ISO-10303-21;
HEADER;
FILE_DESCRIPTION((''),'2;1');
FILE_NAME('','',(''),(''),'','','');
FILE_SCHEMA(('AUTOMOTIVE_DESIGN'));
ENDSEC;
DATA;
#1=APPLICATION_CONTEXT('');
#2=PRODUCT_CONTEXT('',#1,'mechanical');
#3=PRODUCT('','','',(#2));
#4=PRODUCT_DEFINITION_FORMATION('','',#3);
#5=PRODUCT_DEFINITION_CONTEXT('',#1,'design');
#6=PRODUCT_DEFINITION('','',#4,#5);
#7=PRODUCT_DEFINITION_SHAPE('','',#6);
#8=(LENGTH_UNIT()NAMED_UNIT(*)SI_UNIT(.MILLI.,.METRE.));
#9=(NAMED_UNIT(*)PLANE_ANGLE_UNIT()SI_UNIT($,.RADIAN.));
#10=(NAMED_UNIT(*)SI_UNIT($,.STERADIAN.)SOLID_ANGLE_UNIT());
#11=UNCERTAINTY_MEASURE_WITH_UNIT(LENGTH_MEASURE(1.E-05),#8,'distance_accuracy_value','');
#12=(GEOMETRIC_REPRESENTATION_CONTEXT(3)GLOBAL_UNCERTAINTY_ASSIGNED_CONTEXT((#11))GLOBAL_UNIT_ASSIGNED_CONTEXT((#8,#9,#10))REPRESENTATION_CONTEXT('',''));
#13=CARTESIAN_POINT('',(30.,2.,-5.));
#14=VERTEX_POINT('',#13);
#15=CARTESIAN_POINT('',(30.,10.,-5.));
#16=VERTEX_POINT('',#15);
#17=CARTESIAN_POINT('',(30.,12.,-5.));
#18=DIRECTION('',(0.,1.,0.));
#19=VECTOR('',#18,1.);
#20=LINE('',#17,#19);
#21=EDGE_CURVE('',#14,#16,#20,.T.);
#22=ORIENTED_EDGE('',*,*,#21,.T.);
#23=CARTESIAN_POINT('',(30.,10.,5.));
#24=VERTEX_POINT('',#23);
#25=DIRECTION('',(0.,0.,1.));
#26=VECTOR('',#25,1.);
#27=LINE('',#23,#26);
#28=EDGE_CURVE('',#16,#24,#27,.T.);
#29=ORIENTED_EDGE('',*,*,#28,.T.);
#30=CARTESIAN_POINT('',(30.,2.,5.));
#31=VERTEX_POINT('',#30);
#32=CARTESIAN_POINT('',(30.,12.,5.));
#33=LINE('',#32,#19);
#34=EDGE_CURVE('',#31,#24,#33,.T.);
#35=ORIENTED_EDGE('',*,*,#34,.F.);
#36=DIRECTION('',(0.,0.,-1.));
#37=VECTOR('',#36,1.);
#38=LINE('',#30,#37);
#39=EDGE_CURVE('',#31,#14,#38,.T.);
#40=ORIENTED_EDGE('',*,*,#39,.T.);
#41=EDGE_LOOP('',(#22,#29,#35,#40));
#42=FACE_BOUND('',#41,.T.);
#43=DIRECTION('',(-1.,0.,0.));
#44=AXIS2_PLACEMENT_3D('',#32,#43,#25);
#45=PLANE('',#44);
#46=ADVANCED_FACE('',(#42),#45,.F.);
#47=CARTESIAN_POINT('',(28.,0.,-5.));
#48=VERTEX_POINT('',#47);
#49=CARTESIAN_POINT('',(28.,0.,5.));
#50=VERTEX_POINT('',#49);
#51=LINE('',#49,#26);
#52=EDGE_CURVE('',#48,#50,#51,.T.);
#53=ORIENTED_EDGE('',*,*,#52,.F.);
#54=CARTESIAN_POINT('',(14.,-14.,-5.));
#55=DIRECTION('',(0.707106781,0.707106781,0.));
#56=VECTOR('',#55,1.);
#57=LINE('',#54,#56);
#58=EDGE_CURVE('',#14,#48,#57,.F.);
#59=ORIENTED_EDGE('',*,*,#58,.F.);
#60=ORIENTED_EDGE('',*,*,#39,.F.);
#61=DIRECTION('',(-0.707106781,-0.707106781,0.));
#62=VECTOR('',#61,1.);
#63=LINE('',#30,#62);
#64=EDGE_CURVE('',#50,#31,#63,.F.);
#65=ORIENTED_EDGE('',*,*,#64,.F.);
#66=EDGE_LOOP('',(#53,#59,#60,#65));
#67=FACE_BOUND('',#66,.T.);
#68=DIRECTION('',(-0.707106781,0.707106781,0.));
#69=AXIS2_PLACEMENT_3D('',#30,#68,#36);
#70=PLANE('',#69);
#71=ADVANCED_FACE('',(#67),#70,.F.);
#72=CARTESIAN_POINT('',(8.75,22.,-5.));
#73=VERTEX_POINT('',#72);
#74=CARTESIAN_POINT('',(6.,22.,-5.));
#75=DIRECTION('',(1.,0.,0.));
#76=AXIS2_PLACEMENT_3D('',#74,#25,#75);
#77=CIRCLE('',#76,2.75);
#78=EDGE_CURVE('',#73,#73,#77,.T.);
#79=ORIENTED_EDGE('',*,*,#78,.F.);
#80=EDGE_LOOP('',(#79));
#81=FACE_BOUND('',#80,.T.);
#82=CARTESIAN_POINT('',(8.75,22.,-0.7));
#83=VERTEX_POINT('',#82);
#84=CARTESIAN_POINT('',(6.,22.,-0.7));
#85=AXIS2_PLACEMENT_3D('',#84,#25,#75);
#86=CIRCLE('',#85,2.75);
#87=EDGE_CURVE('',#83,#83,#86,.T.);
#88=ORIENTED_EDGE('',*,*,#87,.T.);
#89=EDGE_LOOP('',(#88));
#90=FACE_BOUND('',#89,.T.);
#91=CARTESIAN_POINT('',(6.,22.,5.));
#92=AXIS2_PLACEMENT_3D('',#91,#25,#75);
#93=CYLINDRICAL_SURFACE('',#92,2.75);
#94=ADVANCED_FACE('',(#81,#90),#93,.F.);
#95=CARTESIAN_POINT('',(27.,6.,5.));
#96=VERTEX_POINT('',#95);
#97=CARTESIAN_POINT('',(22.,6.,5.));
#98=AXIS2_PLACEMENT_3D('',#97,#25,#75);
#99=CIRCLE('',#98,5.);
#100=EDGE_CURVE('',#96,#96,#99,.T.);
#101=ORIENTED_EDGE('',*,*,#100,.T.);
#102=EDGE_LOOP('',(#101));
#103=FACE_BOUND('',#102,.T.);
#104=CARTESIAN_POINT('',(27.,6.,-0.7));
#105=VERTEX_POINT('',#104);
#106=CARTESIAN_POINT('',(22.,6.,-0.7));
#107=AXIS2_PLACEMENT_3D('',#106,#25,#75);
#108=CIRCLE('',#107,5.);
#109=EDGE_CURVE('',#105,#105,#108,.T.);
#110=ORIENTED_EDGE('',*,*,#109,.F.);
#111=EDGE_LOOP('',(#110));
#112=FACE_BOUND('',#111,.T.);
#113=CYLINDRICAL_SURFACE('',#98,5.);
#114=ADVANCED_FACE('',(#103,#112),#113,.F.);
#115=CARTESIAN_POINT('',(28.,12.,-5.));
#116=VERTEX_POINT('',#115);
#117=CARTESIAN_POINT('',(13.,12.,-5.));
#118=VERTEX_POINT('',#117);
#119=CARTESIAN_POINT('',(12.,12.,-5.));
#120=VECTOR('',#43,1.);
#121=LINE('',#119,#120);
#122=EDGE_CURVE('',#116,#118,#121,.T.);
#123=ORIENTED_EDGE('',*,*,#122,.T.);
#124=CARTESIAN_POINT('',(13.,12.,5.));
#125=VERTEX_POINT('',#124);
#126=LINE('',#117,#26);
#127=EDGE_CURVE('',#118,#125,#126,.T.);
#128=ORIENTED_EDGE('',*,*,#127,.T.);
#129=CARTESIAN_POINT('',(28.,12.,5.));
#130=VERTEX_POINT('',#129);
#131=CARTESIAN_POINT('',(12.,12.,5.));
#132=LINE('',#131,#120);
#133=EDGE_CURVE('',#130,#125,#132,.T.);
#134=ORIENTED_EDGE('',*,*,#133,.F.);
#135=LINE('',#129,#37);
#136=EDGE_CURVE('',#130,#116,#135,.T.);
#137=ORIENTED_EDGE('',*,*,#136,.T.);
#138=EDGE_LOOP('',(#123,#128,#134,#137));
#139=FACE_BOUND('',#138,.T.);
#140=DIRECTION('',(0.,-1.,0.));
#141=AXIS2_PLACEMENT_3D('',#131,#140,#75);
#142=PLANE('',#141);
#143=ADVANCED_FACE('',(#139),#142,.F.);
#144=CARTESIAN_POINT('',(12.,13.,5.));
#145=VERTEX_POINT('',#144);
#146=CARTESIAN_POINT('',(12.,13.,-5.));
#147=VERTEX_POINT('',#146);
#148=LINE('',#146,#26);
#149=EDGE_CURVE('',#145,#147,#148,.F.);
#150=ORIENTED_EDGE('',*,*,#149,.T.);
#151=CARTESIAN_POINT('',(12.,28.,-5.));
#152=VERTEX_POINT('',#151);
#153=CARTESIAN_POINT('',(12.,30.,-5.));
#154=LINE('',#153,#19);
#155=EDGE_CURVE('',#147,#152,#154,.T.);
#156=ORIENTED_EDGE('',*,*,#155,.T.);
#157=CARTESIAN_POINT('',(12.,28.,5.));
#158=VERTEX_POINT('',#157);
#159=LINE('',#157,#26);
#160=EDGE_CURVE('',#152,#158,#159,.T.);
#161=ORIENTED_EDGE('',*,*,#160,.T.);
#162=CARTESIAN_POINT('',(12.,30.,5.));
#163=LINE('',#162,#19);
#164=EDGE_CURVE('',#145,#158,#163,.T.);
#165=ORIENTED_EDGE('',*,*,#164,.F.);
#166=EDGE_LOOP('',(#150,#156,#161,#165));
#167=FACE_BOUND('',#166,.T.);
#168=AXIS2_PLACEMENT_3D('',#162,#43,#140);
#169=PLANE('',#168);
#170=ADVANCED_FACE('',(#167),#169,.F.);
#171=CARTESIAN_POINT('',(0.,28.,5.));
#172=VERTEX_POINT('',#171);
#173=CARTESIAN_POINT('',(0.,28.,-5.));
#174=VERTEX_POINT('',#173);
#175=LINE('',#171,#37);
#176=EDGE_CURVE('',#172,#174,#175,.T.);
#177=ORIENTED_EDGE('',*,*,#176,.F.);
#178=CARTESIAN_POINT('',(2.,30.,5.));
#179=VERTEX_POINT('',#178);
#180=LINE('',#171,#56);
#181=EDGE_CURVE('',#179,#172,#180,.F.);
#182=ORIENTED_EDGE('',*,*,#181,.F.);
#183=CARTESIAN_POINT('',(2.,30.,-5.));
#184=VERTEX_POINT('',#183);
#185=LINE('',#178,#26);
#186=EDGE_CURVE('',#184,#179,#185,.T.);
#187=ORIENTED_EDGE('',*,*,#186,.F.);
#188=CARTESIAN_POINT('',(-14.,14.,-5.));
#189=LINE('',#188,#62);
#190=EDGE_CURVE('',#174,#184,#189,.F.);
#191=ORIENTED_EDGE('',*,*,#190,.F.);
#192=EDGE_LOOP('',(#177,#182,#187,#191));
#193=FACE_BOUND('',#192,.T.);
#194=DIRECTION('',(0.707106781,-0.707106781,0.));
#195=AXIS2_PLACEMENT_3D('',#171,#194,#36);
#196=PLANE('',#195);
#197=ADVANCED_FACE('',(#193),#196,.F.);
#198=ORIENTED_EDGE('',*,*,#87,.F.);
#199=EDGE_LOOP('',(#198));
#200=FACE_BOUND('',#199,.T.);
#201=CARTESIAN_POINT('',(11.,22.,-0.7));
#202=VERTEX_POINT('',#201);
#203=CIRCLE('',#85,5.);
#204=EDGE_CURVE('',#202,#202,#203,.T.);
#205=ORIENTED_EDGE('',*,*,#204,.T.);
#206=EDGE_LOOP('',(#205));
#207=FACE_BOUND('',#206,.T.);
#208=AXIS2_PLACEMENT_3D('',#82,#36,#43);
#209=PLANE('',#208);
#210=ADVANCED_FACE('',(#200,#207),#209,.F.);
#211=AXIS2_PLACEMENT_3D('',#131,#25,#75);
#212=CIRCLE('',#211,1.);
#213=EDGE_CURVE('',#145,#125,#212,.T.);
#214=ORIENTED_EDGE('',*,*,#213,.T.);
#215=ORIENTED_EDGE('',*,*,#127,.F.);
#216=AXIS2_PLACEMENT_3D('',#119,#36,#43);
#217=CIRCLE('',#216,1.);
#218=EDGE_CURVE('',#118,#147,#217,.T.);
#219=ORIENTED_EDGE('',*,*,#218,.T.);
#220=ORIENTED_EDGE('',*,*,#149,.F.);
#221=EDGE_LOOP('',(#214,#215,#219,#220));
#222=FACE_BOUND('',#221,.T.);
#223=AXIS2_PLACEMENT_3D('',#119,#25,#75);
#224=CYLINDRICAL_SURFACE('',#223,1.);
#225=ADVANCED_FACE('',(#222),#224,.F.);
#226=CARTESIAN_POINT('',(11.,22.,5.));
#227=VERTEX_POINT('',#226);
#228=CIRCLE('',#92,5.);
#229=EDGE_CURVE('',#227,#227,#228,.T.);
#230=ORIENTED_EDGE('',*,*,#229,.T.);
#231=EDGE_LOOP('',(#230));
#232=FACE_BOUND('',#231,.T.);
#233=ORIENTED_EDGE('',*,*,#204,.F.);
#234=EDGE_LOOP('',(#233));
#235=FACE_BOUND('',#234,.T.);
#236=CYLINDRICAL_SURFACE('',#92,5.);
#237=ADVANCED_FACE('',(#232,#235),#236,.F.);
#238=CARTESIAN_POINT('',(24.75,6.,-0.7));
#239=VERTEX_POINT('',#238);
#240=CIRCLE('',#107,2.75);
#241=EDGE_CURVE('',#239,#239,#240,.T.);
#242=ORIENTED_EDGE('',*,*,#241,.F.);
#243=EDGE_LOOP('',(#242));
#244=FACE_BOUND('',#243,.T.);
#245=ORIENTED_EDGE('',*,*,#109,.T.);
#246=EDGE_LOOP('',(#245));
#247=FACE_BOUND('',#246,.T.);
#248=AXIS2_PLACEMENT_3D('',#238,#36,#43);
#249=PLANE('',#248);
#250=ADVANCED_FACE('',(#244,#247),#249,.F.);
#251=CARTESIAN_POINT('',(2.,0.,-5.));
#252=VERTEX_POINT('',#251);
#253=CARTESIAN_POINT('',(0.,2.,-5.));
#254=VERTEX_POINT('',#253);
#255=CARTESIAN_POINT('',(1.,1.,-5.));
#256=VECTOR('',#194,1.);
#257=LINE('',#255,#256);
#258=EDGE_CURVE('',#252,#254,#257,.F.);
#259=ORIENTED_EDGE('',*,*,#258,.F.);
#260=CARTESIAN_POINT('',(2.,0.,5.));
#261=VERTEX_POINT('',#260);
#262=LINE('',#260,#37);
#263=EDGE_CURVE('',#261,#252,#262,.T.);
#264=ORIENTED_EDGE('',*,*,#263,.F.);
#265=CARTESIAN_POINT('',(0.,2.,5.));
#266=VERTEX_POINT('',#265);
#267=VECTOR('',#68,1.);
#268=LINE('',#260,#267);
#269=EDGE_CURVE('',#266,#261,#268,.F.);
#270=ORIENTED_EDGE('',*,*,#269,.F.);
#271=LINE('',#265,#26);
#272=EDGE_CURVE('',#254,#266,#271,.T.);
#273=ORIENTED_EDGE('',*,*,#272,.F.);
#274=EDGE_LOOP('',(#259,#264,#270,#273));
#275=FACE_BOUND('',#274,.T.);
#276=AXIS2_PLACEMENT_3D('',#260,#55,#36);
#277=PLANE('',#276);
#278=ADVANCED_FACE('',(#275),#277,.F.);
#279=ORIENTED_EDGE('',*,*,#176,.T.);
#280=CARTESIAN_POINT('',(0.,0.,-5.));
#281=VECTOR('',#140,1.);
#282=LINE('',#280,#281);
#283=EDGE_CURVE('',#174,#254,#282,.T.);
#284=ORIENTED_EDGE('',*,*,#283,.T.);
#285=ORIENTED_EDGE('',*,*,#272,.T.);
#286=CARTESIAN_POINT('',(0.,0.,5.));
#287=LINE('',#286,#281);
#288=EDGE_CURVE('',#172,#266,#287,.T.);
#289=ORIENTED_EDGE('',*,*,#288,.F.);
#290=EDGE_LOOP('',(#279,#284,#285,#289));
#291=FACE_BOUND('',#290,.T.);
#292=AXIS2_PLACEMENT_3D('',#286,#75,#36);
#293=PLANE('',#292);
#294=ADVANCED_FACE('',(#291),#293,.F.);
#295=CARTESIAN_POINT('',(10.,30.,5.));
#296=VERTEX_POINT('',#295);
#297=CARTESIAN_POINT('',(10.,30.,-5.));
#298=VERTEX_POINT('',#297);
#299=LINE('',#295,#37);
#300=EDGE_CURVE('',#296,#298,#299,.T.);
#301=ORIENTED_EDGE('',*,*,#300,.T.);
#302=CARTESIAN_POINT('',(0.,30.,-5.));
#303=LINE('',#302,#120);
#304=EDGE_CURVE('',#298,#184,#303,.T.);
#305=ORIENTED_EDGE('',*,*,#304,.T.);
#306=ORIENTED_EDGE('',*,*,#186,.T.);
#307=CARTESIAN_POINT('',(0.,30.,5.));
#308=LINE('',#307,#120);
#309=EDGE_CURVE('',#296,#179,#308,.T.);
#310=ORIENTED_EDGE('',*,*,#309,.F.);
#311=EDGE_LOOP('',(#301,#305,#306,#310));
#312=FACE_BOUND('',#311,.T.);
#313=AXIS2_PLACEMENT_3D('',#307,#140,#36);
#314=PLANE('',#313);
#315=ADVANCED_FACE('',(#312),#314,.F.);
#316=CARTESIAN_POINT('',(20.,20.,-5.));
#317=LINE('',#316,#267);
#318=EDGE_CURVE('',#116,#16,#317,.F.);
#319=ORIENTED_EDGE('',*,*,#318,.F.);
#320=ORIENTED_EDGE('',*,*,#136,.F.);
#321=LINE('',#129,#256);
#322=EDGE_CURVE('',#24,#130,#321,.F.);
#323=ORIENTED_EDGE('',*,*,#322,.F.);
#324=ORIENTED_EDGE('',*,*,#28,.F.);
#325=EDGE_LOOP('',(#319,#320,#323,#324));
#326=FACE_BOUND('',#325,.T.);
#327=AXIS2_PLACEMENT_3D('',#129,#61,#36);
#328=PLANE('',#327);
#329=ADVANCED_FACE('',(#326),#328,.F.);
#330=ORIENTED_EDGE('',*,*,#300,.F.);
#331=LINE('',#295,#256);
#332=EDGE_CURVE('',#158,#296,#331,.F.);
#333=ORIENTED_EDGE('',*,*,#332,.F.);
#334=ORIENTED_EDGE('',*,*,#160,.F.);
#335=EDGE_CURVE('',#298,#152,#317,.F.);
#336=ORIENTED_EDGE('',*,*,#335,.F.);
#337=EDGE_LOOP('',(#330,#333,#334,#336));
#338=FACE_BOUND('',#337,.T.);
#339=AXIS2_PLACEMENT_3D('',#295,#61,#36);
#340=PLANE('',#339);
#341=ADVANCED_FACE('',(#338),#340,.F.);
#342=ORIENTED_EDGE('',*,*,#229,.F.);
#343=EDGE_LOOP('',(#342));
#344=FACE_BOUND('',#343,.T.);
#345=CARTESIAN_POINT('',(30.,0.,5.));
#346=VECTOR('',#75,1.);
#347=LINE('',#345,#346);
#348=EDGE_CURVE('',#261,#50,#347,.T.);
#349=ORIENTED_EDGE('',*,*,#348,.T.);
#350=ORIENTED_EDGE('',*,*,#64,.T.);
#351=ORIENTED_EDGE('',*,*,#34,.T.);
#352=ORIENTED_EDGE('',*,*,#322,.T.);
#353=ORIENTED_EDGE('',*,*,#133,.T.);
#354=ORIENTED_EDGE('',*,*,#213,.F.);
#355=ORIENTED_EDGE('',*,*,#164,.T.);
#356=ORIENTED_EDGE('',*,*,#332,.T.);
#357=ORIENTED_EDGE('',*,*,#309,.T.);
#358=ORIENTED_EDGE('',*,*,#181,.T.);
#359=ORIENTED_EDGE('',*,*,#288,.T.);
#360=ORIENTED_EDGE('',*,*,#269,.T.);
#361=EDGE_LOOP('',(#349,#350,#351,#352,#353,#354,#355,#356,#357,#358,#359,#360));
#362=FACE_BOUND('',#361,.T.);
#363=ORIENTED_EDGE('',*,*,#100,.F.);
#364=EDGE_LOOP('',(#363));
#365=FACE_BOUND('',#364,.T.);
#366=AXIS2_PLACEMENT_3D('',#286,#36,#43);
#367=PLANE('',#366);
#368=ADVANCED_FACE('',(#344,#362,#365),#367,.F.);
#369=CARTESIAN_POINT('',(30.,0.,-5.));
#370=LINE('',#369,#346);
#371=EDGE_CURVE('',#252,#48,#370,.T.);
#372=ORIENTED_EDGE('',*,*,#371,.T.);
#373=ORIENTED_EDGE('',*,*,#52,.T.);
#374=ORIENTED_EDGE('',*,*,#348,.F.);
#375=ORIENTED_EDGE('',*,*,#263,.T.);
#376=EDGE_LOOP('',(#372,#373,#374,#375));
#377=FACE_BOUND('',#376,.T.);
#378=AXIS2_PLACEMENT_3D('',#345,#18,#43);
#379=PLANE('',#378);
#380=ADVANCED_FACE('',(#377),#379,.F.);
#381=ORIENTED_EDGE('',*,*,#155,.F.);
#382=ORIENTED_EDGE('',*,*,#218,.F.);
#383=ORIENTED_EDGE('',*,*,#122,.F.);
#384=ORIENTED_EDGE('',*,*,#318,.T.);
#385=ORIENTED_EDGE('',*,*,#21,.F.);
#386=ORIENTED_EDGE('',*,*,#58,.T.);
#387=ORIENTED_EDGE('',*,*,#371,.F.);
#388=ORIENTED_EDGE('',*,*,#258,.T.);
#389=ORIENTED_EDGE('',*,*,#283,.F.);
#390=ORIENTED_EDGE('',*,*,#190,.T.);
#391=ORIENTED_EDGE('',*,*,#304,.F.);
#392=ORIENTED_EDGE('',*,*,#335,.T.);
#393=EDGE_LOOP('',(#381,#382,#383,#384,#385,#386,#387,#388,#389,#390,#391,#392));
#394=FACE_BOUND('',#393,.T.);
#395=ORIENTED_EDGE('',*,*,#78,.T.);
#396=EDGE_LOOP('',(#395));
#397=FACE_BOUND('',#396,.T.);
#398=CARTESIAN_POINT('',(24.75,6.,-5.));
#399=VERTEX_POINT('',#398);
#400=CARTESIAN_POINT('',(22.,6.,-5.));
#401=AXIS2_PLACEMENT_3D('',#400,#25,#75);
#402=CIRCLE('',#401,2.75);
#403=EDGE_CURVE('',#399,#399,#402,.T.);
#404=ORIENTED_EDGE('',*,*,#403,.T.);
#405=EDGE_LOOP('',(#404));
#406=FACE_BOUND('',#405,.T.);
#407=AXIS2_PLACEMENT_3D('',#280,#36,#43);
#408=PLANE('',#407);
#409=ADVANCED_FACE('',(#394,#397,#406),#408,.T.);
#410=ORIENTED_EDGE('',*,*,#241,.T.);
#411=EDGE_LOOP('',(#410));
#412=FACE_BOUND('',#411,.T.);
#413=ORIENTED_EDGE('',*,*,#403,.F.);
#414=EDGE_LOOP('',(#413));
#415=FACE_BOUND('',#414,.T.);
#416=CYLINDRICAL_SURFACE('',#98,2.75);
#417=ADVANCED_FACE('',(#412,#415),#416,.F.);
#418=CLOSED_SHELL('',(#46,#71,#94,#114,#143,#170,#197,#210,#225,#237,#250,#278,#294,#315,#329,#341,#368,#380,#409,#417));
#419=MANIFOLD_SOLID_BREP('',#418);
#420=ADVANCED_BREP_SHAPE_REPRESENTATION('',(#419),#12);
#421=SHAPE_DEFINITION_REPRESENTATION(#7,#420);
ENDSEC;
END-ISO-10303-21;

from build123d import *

# Parameters (mm, degrees)
EXTRUDE_1_DEPTH           = 5
HOLE_WIZARD_1_D           = 5.5
HOLE_WIZARD_1_CBORE_D     = 10
HOLE_WIZARD_1_CBORE_DEPTH = 5.7
CHAMFER_1_SIZE            = 2
SKETCH_5_R                = 1
CUT_EXTRUDE_1_DEPTH       = 44.588989435


with BuildPart() as part:
    # 草图1 → 凸台-拉伸1 (new, symmetric)
    with BuildSketch(Plane.XY):
        Polygon((0, 0), (0, 30), (12, 30), (12, 12), (30, 12), (30, 0), align=None)
    extrude(amount=EXTRUDE_1_DEPTH, both=True)

    # 打孔尺寸(%根据)内六角圆柱头螺钉的类型1 (through all)
    with Locations(Plane.XY.offset(5)):
        with Locations((6, 22), (22, 6)):
            CounterBoreHole(HOLE_WIZARD_1_D / 2, HOLE_WIZARD_1_CBORE_D / 2, HOLE_WIZARD_1_CBORE_DEPTH)

    # 倒角1
    chamfer_1_edges = [part.edges().sort_by_distance(p)[0] for p in [
        (0, 0, 0),
        (0, 30, 0),
        (12, 30, 0),
        (30, 12, 0),
        (30, 0, 0),
    ]]
    chamfer(chamfer_1_edges, length=CHAMFER_1_SIZE)

    # 草图5 → 切除-拉伸1 (cut, through all)
    with BuildSketch(Plane.XY.offset(5)):
        with Locations((12, 12)):
            Circle(SKETCH_5_R)
    extrude(amount=-CUT_EXTRUDE_1_DEPTH, mode=Mode.SUBTRACT)


solid = part.part
